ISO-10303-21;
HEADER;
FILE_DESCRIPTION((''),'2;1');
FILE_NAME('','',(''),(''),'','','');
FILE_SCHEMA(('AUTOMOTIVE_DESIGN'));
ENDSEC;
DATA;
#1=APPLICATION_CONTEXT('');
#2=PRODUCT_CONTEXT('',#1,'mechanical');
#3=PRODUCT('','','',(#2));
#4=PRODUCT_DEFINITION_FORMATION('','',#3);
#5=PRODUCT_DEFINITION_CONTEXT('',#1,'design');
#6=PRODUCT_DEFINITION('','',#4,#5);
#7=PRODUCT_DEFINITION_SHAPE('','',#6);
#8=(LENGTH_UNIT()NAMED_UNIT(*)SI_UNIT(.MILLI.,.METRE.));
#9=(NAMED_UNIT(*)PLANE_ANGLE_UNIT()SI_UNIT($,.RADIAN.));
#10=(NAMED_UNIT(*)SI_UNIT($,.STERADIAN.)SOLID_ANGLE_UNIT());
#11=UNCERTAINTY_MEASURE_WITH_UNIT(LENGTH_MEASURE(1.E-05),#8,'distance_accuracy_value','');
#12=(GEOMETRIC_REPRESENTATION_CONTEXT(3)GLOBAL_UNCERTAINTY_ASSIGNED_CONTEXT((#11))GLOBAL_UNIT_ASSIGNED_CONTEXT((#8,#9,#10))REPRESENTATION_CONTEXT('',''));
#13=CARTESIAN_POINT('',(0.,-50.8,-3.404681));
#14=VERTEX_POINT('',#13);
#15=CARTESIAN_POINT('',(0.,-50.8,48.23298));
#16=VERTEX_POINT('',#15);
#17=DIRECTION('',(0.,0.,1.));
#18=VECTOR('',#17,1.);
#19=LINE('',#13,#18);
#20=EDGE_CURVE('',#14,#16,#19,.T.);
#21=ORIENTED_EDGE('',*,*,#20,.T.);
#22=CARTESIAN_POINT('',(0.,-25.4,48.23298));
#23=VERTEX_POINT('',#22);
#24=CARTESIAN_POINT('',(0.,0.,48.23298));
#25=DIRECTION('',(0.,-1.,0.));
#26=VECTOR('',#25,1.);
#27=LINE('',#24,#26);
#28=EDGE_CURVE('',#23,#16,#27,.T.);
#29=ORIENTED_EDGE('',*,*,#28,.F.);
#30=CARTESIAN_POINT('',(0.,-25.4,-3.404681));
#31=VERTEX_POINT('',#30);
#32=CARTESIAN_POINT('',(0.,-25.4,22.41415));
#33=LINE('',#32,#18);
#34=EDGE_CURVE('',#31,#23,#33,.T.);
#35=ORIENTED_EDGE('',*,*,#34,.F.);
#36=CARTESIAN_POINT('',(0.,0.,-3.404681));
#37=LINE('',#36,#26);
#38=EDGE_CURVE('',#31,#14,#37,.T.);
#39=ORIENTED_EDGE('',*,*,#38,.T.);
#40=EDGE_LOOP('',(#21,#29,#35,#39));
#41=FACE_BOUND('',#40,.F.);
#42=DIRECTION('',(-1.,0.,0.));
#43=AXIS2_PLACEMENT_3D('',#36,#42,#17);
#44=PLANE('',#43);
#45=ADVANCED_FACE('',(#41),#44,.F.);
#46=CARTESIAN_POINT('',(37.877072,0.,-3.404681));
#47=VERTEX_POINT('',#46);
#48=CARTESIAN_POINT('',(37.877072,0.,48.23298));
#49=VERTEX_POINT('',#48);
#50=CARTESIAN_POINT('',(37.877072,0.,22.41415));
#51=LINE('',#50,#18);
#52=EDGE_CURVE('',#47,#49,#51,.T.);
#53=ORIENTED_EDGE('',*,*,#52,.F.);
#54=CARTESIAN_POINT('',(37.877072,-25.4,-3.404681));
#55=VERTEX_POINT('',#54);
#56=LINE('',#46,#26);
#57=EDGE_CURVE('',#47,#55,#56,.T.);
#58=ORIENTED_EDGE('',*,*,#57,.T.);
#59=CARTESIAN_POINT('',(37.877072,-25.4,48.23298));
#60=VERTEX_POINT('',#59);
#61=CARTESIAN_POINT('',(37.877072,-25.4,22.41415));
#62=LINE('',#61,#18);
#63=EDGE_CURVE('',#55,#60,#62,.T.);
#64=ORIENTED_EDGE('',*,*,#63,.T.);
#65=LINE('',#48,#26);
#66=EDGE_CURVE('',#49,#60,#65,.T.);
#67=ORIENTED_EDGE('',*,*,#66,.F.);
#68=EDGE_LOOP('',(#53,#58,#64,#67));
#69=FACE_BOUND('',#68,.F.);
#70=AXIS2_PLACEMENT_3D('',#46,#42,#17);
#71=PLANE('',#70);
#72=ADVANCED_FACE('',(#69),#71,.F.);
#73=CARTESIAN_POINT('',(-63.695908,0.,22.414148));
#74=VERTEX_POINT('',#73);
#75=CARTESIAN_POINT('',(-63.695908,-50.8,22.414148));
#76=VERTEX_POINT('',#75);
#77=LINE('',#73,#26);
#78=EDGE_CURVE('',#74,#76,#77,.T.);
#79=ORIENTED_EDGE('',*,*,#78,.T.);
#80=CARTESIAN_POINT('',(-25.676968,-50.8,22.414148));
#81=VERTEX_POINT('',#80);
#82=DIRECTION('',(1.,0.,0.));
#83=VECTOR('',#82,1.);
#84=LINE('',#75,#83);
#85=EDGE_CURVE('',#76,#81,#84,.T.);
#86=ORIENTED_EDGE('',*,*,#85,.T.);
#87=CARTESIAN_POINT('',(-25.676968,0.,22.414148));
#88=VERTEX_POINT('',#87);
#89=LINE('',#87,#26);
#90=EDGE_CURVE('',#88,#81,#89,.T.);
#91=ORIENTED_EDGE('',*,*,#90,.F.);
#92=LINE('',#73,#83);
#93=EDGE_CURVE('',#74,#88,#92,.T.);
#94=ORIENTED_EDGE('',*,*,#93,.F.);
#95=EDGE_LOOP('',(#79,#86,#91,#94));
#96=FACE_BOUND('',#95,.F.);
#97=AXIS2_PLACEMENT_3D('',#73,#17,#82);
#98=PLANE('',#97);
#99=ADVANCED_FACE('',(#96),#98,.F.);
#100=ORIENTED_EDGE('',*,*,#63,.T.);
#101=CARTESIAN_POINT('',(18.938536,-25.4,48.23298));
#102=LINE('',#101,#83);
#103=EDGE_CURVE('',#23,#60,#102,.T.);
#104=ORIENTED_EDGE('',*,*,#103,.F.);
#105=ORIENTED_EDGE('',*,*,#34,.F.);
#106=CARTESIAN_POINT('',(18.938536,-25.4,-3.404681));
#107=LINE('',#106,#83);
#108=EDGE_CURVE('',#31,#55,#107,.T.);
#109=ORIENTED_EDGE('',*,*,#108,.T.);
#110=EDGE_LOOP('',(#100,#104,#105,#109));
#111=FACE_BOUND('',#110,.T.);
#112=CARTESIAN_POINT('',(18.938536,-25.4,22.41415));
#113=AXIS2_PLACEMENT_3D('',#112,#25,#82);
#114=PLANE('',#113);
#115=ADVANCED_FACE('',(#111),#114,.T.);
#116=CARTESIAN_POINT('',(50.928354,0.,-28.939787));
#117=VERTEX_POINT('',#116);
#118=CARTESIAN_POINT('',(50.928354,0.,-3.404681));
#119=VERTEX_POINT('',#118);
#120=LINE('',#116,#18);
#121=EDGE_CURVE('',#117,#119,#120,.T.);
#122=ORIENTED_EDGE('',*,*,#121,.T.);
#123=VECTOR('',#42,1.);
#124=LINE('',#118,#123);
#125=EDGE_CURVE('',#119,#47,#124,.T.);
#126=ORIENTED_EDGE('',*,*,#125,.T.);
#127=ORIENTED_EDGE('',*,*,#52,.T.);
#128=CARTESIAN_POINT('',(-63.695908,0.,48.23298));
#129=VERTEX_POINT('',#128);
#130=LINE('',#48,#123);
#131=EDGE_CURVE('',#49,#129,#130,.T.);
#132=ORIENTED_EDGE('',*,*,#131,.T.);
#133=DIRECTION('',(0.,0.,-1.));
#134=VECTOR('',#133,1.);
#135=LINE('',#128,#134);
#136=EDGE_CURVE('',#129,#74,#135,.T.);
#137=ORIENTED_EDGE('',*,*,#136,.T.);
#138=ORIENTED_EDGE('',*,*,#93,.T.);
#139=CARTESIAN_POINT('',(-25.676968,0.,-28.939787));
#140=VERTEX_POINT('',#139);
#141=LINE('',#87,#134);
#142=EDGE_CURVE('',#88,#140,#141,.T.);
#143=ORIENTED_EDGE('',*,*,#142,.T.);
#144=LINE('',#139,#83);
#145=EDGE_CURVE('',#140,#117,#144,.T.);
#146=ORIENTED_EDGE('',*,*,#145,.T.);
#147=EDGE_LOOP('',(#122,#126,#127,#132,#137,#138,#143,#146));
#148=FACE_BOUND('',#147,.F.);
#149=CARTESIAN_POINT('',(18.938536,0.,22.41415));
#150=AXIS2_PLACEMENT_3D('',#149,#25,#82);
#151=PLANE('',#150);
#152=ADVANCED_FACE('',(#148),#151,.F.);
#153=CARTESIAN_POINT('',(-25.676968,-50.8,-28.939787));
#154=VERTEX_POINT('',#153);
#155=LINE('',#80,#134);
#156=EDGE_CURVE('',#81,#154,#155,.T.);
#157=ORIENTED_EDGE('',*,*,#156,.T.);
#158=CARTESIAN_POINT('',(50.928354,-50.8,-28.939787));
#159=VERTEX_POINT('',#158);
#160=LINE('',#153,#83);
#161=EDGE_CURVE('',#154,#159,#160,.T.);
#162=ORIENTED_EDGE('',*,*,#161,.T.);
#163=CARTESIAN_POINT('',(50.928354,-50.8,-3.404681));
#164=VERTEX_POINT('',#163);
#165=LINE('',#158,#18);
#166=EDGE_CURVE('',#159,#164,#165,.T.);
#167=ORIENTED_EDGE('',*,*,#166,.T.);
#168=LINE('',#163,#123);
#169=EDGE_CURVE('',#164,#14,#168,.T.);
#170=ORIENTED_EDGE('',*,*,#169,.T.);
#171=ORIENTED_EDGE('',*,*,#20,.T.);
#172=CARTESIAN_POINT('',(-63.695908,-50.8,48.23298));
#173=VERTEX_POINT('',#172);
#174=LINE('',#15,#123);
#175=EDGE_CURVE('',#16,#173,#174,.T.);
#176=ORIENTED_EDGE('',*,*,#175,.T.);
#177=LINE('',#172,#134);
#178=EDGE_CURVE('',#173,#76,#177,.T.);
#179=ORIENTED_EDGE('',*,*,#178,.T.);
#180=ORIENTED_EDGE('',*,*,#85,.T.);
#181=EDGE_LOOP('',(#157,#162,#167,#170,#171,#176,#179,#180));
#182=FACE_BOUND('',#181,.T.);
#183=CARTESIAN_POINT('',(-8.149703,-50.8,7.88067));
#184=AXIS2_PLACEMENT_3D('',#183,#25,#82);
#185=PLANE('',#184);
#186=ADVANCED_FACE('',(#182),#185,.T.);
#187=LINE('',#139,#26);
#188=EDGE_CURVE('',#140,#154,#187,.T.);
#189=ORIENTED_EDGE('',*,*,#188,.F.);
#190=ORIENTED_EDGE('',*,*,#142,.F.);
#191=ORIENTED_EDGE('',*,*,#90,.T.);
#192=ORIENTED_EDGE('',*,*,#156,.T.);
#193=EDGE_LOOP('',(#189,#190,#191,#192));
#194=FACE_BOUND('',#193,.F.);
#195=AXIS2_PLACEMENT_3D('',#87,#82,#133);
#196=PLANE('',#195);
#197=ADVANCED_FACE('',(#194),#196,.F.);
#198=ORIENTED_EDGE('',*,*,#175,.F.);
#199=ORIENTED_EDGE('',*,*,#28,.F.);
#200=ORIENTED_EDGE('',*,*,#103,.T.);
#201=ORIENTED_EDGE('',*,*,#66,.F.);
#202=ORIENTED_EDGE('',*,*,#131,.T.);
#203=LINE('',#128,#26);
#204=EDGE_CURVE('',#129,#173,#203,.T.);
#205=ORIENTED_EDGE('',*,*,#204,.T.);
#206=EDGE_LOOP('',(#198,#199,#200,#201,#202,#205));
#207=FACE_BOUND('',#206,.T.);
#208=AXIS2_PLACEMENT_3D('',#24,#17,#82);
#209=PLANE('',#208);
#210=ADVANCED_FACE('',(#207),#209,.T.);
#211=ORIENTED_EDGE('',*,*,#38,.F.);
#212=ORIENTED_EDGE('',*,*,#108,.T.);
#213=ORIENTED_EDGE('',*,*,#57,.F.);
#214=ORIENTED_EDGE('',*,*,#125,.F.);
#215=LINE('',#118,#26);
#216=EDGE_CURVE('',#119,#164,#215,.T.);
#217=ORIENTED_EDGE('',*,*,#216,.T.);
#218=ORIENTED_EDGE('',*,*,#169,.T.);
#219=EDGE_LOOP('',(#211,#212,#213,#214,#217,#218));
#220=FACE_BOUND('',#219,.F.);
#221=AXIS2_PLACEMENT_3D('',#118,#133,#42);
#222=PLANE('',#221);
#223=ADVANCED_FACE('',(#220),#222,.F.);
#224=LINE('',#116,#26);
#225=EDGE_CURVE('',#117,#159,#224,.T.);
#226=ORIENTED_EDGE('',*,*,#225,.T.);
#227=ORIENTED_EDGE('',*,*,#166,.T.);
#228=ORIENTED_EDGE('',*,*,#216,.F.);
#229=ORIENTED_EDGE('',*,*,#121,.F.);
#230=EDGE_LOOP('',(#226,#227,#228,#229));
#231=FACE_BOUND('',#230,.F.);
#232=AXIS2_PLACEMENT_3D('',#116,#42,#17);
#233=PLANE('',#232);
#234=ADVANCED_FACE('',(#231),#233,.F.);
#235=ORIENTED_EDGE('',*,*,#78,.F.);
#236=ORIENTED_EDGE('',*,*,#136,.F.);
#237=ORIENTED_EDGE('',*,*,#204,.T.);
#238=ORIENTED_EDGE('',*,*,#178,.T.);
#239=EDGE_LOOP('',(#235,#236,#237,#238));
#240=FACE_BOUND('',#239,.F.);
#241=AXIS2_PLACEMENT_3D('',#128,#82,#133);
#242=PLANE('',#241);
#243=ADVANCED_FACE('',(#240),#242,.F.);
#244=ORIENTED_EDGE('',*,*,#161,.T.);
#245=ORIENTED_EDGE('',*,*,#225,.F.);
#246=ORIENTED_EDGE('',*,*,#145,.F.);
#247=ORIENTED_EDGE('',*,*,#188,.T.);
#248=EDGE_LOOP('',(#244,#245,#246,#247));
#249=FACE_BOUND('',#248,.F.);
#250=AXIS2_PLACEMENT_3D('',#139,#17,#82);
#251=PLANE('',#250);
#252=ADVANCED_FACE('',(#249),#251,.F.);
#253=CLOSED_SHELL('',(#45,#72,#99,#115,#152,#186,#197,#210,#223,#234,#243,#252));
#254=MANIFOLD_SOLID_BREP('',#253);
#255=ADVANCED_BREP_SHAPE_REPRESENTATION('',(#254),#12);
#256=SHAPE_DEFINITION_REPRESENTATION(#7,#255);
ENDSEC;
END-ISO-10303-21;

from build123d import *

# Parameters (mm, degrees)
F1_DEPTH = 50.8
F0_W     = 37.8770716488
F0_H     = 51.6376609448
F2_DEPTH = 25.4


with BuildPart() as f1:
    # F0 (on Front) → F1 (new body)
    with BuildSketch(Plane.XZ):
        Polygon((0, 48.2329800725), (-63.6959075928, 48.2329800725), (-63.6959075928, 22.4141478539), (-25.6769675761, 22.4141478539), (-25.6769675761, -28.9397872984), (50.9283542633, -28.9397872984), (50.9283542633, -3.4046808723), (37.8770716488, -3.4046808723), (0, -3.4046808723), align=None)
    extrude(amount=F1_DEPTH)

    # F0 (on Front) → F2 (join)
    with BuildSketch(Plane.XZ):
        with Locations((18.9385358244, 22.4141496001)):
            Rectangle(F0_W, F0_H)
    extrude(amount=F2_DEPTH)


solid = f1.part
